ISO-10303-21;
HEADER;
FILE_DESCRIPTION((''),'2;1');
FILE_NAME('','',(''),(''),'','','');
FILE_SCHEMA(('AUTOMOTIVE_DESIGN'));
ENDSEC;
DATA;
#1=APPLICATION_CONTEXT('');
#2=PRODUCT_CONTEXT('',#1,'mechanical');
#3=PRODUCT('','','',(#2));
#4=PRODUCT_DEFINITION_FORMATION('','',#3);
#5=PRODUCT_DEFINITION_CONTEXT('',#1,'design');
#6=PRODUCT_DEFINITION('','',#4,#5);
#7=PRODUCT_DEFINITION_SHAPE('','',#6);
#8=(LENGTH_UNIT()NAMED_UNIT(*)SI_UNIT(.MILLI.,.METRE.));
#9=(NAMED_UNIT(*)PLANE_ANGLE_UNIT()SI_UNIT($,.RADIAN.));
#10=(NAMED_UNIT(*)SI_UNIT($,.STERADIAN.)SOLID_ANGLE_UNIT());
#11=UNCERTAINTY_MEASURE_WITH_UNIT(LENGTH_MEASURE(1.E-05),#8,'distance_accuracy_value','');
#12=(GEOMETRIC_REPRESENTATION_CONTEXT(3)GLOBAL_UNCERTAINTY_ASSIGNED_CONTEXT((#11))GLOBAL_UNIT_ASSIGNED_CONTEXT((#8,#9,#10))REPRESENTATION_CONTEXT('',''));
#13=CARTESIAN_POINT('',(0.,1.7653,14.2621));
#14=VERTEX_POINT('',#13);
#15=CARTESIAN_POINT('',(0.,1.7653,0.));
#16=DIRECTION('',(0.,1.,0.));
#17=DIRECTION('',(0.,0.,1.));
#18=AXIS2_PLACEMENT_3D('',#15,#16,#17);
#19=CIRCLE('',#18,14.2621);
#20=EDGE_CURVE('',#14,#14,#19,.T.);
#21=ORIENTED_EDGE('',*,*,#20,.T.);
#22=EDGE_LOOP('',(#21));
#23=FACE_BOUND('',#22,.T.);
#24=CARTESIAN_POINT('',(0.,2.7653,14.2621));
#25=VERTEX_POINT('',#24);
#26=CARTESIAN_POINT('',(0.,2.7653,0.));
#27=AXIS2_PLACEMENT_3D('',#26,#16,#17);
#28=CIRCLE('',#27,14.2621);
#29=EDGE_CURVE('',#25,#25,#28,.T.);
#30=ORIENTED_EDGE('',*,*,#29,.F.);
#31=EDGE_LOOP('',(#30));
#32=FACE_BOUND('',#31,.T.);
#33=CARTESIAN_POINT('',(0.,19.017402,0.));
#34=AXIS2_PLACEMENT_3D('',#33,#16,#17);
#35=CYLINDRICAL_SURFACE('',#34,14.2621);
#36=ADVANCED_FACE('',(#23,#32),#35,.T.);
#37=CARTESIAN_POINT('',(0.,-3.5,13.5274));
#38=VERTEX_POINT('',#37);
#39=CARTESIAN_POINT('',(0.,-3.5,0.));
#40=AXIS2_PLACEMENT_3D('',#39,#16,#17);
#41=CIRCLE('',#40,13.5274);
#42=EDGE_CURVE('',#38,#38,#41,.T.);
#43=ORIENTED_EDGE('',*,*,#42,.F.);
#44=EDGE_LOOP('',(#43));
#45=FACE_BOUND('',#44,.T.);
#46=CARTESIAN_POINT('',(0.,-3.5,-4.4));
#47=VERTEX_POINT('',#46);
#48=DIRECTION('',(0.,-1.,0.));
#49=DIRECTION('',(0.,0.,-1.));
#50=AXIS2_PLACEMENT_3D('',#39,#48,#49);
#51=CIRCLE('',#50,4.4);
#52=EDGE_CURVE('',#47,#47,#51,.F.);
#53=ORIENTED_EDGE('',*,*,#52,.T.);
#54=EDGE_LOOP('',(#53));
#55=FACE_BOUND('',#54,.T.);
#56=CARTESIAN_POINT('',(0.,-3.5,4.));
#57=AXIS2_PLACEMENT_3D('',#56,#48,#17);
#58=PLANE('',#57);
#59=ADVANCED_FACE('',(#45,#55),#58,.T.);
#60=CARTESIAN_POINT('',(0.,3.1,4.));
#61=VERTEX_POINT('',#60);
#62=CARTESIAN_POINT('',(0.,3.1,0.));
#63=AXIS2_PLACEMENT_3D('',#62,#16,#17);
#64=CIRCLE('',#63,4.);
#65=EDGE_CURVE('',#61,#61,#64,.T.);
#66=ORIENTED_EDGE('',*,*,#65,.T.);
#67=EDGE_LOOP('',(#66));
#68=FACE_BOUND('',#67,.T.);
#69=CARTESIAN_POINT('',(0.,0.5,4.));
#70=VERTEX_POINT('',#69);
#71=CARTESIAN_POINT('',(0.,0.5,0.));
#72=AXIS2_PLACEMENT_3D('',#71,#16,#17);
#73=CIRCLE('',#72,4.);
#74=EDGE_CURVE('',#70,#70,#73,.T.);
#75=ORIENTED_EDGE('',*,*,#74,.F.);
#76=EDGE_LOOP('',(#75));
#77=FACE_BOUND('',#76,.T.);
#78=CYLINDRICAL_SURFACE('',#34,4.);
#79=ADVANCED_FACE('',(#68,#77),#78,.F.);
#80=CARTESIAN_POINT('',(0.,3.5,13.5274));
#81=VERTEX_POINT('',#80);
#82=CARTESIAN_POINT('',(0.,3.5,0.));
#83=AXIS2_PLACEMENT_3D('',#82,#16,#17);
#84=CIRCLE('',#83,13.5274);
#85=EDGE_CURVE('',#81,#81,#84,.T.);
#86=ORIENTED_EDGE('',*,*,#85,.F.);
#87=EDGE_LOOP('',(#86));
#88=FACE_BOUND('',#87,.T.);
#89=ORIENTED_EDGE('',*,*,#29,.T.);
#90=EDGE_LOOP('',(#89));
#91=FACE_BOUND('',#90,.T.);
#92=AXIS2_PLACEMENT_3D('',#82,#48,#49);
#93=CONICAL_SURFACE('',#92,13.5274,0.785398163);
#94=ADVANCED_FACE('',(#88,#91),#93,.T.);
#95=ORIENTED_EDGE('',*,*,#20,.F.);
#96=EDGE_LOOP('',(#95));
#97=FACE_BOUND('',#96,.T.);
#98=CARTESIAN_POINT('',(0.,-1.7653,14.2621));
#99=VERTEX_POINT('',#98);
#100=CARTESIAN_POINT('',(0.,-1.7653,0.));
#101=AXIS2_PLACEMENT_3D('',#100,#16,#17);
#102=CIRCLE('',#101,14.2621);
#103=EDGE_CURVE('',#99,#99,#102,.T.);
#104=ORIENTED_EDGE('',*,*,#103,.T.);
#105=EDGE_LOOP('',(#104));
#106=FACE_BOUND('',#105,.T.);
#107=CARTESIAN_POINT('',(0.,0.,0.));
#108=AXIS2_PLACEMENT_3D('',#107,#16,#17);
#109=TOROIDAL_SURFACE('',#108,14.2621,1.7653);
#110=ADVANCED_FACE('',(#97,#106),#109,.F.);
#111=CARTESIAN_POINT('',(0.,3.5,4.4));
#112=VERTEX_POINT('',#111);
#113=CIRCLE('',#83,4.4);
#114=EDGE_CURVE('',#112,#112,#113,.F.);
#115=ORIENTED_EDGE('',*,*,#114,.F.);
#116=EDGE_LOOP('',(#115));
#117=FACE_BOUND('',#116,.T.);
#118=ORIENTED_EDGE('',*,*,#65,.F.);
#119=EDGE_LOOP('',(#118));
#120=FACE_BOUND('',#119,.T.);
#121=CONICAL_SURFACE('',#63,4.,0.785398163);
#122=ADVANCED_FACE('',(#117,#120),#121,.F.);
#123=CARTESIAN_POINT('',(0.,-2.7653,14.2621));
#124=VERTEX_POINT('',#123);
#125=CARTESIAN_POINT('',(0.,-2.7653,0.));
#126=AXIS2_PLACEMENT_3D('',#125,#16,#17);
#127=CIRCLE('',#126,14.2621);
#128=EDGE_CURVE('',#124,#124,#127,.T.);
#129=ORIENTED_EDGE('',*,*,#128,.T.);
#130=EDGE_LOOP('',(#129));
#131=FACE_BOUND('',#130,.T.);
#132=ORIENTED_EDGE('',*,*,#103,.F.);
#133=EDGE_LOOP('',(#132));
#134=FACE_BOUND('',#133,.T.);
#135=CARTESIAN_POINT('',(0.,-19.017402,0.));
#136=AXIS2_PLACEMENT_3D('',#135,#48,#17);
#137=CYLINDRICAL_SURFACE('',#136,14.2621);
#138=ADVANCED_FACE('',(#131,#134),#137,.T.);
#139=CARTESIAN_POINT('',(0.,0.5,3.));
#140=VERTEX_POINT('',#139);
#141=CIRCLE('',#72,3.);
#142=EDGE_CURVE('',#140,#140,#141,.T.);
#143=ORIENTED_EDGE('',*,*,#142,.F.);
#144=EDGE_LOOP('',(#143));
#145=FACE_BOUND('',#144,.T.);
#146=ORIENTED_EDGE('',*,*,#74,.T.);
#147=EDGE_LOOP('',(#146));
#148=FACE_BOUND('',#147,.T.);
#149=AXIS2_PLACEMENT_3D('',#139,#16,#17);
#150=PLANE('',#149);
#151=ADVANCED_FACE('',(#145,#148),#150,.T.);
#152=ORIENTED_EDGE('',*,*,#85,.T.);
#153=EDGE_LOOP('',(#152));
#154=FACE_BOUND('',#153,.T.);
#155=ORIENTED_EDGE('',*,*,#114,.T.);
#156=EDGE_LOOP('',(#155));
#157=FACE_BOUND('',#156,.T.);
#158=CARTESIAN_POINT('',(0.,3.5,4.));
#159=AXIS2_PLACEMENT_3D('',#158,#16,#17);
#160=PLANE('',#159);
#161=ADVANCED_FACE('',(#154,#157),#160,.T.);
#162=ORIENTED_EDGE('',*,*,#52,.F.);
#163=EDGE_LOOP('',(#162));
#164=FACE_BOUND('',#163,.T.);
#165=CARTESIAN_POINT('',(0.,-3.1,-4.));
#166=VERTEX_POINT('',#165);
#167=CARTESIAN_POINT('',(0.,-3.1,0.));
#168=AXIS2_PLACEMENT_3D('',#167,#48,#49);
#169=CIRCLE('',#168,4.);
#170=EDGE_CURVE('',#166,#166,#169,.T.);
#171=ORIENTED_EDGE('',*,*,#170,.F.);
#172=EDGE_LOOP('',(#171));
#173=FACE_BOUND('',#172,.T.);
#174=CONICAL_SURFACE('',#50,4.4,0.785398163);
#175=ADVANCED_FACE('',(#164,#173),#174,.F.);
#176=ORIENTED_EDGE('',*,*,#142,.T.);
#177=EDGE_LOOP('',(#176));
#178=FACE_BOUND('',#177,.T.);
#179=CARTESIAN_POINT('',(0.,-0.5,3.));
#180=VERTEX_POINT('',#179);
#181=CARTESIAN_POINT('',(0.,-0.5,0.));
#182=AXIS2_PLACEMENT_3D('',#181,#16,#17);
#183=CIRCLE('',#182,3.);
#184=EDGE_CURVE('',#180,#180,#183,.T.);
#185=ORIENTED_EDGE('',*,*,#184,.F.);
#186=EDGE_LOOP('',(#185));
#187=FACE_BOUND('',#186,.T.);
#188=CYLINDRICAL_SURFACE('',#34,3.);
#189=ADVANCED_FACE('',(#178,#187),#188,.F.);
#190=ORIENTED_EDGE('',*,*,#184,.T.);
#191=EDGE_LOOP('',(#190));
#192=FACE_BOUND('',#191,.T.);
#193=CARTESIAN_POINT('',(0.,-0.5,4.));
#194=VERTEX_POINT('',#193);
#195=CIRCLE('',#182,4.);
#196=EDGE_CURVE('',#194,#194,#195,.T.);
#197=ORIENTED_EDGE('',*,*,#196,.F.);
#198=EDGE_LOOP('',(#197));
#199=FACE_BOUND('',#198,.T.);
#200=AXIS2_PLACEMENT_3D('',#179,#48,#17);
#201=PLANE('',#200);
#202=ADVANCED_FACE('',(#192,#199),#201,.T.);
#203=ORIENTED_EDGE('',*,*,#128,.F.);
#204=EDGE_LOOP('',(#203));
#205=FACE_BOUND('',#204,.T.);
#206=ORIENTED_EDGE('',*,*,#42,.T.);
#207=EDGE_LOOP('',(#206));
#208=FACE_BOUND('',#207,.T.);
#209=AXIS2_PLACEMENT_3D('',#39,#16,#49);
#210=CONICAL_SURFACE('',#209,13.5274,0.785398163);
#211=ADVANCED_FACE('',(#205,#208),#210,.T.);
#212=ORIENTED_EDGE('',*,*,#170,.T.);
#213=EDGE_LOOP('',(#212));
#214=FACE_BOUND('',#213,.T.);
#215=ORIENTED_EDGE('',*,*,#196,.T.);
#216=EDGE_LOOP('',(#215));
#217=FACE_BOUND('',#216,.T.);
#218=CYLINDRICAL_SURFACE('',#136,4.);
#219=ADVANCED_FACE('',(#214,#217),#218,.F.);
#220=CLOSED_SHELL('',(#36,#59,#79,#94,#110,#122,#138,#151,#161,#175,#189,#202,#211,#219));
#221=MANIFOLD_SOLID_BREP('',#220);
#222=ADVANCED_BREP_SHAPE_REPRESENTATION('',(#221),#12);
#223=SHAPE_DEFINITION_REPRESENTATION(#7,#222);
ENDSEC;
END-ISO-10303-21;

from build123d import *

# Parameters (mm, degrees)
CHAMFER1_SIZE = 0.4


with BuildPart() as part:
    # Sketch1 → Revolve1 (revolve)
    with BuildSketch(Plane(origin=(0, 0, 0), x_dir=(0, 0, -1), z_dir=(1, 0, 0))):
        with BuildLine():
            Line((-4, 3.5), (-13.5274, 3.5))
            Line((-13.5274, 3.5), (-14.2621, 2.7653))
            Line((-14.2621, 2.7653), (-14.2621, 1.7653))
            ThreePointArc((-14.2621, 1.7653), (-13.013844399, 1.248255601), (-12.4968, 0))
            Line((-12.4968, 0), (-3, 0))
            Line((-3, 0), (-3, 0.5))
            Line((-3, 0.5), (-4, 0.5))
            Line((-4, 0.5), (-4, 3.5))
        make_face()
    revolve1 = revolve(axis=Axis((0, 19.017402143, 0), (0, -1, 0)))

    # Mirror1: Revolve1 across plane
    add(revolve1.mirror(Plane.ZX))

    # Chamfer1
    chamfer1_edges = [part.edges().sort_by_distance(p)[0] for p in [
        (0, 3.5, -4),
        (0, -3.5, -4),
    ]]
    chamfer(chamfer1_edges, length=CHAMFER1_SIZE)


solid = part.part
